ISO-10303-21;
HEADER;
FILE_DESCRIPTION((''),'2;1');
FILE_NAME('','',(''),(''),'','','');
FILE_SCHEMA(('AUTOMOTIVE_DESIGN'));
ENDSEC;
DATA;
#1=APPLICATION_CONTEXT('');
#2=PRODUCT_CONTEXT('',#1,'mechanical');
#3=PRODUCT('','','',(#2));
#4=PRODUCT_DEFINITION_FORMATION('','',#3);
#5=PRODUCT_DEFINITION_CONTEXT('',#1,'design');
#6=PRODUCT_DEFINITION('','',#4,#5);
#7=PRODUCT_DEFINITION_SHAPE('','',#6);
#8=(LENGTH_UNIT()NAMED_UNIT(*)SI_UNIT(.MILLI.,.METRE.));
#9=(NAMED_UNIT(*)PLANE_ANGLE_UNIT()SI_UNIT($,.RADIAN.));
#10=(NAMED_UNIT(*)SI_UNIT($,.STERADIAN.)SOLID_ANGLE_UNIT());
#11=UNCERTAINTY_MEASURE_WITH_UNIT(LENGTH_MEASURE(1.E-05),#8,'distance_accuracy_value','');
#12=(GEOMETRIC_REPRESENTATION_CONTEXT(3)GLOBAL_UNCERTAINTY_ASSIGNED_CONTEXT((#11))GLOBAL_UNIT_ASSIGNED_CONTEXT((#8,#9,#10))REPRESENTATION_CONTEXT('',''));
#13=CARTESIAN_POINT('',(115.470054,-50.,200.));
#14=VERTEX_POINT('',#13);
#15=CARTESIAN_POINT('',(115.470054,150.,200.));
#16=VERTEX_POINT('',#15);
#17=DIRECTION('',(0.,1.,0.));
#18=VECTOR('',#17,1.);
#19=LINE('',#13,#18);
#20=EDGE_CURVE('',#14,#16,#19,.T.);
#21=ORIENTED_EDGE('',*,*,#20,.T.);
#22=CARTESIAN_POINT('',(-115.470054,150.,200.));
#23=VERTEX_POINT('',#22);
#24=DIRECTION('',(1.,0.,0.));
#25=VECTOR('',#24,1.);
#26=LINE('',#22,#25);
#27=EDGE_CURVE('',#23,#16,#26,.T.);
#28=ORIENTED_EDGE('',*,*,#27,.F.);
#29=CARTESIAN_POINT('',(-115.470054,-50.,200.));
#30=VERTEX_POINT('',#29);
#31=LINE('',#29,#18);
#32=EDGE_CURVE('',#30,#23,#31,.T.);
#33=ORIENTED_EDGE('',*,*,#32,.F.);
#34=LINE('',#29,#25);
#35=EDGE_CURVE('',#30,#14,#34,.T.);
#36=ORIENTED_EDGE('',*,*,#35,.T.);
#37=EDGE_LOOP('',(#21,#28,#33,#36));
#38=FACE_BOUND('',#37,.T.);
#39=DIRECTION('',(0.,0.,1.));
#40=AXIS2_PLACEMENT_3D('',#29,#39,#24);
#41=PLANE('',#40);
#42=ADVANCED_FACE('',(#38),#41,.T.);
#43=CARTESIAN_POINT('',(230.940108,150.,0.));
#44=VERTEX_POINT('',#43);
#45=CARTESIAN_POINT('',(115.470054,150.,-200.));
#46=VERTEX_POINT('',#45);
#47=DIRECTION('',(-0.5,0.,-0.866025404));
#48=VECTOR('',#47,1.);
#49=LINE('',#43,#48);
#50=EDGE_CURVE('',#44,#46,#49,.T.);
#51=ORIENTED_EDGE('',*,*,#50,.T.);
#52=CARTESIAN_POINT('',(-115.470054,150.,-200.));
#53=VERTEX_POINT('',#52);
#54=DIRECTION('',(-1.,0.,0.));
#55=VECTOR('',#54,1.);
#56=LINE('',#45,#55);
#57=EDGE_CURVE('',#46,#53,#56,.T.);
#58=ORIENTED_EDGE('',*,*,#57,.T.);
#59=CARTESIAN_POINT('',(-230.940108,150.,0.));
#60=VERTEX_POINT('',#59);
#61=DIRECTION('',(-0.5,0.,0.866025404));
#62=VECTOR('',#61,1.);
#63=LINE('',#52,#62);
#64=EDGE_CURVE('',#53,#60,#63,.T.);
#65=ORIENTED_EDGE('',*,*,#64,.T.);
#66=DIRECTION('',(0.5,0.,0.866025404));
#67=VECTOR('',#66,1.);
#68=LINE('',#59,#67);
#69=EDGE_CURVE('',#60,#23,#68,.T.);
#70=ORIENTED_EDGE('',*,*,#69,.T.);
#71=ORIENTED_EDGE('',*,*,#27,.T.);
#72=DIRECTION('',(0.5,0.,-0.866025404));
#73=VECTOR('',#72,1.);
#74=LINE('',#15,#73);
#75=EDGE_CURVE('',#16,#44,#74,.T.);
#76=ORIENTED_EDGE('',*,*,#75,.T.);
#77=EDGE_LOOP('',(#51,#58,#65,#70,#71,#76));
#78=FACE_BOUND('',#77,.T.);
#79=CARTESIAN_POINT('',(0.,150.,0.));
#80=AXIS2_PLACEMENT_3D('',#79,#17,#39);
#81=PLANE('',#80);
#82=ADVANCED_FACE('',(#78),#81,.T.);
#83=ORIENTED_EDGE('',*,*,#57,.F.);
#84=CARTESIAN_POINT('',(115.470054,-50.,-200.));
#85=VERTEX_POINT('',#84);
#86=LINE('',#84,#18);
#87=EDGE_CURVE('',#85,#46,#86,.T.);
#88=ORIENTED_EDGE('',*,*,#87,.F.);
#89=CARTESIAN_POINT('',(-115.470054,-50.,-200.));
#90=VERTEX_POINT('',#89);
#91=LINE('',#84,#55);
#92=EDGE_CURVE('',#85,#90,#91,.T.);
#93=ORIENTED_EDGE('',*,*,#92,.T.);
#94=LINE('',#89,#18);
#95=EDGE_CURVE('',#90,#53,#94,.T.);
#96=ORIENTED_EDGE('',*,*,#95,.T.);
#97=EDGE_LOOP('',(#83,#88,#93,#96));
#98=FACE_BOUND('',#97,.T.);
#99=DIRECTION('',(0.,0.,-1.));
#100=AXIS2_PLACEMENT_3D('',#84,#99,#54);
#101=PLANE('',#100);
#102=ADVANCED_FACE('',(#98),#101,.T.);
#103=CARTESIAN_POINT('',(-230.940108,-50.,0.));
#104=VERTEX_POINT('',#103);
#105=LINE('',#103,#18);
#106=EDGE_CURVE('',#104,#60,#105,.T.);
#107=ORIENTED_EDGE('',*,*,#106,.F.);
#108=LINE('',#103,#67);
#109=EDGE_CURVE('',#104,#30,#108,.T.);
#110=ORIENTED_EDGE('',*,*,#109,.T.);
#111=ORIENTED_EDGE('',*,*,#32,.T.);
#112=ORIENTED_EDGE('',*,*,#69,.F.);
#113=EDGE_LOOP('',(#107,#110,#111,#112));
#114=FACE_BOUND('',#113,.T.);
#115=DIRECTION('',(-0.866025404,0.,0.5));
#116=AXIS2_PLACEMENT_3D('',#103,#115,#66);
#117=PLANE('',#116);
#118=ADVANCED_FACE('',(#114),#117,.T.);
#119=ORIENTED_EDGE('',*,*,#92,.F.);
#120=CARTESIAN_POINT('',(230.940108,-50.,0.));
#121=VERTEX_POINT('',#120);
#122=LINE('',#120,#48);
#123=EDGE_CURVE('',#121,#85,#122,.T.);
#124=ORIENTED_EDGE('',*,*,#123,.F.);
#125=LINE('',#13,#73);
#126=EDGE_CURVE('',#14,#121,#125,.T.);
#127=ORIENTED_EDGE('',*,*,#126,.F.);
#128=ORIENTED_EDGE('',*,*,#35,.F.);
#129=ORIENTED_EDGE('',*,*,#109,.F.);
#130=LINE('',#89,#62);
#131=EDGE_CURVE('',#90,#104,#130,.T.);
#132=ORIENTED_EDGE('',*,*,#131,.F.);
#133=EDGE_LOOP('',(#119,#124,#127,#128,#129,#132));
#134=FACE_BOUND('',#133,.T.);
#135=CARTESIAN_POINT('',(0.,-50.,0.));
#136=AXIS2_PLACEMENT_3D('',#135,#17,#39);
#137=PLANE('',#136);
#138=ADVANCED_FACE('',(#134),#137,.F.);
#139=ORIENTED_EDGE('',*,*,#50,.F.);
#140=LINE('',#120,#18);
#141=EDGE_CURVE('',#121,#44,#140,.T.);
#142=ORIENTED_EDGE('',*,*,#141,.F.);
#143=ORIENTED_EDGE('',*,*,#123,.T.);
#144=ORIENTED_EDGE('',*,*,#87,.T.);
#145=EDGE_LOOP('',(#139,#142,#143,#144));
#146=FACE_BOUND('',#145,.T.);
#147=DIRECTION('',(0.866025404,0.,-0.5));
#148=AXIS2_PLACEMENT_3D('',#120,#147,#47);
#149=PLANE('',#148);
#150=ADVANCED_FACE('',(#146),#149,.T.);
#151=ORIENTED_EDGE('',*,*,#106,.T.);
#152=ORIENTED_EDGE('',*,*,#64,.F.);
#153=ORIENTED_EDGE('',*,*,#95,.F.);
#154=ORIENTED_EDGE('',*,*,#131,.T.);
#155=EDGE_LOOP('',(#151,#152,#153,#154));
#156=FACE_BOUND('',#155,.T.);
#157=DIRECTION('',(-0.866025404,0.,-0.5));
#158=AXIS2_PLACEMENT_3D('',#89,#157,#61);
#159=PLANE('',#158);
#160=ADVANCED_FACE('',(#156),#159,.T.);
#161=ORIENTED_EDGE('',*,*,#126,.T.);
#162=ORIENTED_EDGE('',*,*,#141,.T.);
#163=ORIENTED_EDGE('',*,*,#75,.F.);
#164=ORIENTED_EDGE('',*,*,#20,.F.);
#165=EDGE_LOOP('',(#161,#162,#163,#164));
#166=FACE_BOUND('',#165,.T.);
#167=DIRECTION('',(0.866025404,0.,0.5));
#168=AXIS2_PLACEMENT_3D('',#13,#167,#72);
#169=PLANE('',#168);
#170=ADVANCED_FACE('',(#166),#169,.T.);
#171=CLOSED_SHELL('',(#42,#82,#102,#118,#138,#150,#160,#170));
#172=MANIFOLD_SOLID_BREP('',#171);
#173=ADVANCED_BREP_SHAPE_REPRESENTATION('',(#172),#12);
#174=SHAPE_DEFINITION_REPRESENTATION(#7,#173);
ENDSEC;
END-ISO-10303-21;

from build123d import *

# Parameters (mm, degrees)
EXTRUDE_1_DEPTH      = 150
EXTRUDE_1_DEPTH_BACK = 50


with BuildPart() as part:
    # 草图1 → 凸台-拉伸1 (new, two sides: drawn at the far end of the back side and taken through both)
    with BuildSketch(Plane(origin=(0, 0, 0), x_dir=(1, 0, 0), z_dir=(0, 1, 0)).offset(-EXTRUDE_1_DEPTH_BACK)):
        Polygon((230.940107676, 0), (115.470053838, 200), (-115.470053838, 200), (-230.940107676, 0), (-115.470053838, -200), (115.470053838, -200), align=None)
    extrude(amount=EXTRUDE_1_DEPTH + EXTRUDE_1_DEPTH_BACK)


solid = part.part
